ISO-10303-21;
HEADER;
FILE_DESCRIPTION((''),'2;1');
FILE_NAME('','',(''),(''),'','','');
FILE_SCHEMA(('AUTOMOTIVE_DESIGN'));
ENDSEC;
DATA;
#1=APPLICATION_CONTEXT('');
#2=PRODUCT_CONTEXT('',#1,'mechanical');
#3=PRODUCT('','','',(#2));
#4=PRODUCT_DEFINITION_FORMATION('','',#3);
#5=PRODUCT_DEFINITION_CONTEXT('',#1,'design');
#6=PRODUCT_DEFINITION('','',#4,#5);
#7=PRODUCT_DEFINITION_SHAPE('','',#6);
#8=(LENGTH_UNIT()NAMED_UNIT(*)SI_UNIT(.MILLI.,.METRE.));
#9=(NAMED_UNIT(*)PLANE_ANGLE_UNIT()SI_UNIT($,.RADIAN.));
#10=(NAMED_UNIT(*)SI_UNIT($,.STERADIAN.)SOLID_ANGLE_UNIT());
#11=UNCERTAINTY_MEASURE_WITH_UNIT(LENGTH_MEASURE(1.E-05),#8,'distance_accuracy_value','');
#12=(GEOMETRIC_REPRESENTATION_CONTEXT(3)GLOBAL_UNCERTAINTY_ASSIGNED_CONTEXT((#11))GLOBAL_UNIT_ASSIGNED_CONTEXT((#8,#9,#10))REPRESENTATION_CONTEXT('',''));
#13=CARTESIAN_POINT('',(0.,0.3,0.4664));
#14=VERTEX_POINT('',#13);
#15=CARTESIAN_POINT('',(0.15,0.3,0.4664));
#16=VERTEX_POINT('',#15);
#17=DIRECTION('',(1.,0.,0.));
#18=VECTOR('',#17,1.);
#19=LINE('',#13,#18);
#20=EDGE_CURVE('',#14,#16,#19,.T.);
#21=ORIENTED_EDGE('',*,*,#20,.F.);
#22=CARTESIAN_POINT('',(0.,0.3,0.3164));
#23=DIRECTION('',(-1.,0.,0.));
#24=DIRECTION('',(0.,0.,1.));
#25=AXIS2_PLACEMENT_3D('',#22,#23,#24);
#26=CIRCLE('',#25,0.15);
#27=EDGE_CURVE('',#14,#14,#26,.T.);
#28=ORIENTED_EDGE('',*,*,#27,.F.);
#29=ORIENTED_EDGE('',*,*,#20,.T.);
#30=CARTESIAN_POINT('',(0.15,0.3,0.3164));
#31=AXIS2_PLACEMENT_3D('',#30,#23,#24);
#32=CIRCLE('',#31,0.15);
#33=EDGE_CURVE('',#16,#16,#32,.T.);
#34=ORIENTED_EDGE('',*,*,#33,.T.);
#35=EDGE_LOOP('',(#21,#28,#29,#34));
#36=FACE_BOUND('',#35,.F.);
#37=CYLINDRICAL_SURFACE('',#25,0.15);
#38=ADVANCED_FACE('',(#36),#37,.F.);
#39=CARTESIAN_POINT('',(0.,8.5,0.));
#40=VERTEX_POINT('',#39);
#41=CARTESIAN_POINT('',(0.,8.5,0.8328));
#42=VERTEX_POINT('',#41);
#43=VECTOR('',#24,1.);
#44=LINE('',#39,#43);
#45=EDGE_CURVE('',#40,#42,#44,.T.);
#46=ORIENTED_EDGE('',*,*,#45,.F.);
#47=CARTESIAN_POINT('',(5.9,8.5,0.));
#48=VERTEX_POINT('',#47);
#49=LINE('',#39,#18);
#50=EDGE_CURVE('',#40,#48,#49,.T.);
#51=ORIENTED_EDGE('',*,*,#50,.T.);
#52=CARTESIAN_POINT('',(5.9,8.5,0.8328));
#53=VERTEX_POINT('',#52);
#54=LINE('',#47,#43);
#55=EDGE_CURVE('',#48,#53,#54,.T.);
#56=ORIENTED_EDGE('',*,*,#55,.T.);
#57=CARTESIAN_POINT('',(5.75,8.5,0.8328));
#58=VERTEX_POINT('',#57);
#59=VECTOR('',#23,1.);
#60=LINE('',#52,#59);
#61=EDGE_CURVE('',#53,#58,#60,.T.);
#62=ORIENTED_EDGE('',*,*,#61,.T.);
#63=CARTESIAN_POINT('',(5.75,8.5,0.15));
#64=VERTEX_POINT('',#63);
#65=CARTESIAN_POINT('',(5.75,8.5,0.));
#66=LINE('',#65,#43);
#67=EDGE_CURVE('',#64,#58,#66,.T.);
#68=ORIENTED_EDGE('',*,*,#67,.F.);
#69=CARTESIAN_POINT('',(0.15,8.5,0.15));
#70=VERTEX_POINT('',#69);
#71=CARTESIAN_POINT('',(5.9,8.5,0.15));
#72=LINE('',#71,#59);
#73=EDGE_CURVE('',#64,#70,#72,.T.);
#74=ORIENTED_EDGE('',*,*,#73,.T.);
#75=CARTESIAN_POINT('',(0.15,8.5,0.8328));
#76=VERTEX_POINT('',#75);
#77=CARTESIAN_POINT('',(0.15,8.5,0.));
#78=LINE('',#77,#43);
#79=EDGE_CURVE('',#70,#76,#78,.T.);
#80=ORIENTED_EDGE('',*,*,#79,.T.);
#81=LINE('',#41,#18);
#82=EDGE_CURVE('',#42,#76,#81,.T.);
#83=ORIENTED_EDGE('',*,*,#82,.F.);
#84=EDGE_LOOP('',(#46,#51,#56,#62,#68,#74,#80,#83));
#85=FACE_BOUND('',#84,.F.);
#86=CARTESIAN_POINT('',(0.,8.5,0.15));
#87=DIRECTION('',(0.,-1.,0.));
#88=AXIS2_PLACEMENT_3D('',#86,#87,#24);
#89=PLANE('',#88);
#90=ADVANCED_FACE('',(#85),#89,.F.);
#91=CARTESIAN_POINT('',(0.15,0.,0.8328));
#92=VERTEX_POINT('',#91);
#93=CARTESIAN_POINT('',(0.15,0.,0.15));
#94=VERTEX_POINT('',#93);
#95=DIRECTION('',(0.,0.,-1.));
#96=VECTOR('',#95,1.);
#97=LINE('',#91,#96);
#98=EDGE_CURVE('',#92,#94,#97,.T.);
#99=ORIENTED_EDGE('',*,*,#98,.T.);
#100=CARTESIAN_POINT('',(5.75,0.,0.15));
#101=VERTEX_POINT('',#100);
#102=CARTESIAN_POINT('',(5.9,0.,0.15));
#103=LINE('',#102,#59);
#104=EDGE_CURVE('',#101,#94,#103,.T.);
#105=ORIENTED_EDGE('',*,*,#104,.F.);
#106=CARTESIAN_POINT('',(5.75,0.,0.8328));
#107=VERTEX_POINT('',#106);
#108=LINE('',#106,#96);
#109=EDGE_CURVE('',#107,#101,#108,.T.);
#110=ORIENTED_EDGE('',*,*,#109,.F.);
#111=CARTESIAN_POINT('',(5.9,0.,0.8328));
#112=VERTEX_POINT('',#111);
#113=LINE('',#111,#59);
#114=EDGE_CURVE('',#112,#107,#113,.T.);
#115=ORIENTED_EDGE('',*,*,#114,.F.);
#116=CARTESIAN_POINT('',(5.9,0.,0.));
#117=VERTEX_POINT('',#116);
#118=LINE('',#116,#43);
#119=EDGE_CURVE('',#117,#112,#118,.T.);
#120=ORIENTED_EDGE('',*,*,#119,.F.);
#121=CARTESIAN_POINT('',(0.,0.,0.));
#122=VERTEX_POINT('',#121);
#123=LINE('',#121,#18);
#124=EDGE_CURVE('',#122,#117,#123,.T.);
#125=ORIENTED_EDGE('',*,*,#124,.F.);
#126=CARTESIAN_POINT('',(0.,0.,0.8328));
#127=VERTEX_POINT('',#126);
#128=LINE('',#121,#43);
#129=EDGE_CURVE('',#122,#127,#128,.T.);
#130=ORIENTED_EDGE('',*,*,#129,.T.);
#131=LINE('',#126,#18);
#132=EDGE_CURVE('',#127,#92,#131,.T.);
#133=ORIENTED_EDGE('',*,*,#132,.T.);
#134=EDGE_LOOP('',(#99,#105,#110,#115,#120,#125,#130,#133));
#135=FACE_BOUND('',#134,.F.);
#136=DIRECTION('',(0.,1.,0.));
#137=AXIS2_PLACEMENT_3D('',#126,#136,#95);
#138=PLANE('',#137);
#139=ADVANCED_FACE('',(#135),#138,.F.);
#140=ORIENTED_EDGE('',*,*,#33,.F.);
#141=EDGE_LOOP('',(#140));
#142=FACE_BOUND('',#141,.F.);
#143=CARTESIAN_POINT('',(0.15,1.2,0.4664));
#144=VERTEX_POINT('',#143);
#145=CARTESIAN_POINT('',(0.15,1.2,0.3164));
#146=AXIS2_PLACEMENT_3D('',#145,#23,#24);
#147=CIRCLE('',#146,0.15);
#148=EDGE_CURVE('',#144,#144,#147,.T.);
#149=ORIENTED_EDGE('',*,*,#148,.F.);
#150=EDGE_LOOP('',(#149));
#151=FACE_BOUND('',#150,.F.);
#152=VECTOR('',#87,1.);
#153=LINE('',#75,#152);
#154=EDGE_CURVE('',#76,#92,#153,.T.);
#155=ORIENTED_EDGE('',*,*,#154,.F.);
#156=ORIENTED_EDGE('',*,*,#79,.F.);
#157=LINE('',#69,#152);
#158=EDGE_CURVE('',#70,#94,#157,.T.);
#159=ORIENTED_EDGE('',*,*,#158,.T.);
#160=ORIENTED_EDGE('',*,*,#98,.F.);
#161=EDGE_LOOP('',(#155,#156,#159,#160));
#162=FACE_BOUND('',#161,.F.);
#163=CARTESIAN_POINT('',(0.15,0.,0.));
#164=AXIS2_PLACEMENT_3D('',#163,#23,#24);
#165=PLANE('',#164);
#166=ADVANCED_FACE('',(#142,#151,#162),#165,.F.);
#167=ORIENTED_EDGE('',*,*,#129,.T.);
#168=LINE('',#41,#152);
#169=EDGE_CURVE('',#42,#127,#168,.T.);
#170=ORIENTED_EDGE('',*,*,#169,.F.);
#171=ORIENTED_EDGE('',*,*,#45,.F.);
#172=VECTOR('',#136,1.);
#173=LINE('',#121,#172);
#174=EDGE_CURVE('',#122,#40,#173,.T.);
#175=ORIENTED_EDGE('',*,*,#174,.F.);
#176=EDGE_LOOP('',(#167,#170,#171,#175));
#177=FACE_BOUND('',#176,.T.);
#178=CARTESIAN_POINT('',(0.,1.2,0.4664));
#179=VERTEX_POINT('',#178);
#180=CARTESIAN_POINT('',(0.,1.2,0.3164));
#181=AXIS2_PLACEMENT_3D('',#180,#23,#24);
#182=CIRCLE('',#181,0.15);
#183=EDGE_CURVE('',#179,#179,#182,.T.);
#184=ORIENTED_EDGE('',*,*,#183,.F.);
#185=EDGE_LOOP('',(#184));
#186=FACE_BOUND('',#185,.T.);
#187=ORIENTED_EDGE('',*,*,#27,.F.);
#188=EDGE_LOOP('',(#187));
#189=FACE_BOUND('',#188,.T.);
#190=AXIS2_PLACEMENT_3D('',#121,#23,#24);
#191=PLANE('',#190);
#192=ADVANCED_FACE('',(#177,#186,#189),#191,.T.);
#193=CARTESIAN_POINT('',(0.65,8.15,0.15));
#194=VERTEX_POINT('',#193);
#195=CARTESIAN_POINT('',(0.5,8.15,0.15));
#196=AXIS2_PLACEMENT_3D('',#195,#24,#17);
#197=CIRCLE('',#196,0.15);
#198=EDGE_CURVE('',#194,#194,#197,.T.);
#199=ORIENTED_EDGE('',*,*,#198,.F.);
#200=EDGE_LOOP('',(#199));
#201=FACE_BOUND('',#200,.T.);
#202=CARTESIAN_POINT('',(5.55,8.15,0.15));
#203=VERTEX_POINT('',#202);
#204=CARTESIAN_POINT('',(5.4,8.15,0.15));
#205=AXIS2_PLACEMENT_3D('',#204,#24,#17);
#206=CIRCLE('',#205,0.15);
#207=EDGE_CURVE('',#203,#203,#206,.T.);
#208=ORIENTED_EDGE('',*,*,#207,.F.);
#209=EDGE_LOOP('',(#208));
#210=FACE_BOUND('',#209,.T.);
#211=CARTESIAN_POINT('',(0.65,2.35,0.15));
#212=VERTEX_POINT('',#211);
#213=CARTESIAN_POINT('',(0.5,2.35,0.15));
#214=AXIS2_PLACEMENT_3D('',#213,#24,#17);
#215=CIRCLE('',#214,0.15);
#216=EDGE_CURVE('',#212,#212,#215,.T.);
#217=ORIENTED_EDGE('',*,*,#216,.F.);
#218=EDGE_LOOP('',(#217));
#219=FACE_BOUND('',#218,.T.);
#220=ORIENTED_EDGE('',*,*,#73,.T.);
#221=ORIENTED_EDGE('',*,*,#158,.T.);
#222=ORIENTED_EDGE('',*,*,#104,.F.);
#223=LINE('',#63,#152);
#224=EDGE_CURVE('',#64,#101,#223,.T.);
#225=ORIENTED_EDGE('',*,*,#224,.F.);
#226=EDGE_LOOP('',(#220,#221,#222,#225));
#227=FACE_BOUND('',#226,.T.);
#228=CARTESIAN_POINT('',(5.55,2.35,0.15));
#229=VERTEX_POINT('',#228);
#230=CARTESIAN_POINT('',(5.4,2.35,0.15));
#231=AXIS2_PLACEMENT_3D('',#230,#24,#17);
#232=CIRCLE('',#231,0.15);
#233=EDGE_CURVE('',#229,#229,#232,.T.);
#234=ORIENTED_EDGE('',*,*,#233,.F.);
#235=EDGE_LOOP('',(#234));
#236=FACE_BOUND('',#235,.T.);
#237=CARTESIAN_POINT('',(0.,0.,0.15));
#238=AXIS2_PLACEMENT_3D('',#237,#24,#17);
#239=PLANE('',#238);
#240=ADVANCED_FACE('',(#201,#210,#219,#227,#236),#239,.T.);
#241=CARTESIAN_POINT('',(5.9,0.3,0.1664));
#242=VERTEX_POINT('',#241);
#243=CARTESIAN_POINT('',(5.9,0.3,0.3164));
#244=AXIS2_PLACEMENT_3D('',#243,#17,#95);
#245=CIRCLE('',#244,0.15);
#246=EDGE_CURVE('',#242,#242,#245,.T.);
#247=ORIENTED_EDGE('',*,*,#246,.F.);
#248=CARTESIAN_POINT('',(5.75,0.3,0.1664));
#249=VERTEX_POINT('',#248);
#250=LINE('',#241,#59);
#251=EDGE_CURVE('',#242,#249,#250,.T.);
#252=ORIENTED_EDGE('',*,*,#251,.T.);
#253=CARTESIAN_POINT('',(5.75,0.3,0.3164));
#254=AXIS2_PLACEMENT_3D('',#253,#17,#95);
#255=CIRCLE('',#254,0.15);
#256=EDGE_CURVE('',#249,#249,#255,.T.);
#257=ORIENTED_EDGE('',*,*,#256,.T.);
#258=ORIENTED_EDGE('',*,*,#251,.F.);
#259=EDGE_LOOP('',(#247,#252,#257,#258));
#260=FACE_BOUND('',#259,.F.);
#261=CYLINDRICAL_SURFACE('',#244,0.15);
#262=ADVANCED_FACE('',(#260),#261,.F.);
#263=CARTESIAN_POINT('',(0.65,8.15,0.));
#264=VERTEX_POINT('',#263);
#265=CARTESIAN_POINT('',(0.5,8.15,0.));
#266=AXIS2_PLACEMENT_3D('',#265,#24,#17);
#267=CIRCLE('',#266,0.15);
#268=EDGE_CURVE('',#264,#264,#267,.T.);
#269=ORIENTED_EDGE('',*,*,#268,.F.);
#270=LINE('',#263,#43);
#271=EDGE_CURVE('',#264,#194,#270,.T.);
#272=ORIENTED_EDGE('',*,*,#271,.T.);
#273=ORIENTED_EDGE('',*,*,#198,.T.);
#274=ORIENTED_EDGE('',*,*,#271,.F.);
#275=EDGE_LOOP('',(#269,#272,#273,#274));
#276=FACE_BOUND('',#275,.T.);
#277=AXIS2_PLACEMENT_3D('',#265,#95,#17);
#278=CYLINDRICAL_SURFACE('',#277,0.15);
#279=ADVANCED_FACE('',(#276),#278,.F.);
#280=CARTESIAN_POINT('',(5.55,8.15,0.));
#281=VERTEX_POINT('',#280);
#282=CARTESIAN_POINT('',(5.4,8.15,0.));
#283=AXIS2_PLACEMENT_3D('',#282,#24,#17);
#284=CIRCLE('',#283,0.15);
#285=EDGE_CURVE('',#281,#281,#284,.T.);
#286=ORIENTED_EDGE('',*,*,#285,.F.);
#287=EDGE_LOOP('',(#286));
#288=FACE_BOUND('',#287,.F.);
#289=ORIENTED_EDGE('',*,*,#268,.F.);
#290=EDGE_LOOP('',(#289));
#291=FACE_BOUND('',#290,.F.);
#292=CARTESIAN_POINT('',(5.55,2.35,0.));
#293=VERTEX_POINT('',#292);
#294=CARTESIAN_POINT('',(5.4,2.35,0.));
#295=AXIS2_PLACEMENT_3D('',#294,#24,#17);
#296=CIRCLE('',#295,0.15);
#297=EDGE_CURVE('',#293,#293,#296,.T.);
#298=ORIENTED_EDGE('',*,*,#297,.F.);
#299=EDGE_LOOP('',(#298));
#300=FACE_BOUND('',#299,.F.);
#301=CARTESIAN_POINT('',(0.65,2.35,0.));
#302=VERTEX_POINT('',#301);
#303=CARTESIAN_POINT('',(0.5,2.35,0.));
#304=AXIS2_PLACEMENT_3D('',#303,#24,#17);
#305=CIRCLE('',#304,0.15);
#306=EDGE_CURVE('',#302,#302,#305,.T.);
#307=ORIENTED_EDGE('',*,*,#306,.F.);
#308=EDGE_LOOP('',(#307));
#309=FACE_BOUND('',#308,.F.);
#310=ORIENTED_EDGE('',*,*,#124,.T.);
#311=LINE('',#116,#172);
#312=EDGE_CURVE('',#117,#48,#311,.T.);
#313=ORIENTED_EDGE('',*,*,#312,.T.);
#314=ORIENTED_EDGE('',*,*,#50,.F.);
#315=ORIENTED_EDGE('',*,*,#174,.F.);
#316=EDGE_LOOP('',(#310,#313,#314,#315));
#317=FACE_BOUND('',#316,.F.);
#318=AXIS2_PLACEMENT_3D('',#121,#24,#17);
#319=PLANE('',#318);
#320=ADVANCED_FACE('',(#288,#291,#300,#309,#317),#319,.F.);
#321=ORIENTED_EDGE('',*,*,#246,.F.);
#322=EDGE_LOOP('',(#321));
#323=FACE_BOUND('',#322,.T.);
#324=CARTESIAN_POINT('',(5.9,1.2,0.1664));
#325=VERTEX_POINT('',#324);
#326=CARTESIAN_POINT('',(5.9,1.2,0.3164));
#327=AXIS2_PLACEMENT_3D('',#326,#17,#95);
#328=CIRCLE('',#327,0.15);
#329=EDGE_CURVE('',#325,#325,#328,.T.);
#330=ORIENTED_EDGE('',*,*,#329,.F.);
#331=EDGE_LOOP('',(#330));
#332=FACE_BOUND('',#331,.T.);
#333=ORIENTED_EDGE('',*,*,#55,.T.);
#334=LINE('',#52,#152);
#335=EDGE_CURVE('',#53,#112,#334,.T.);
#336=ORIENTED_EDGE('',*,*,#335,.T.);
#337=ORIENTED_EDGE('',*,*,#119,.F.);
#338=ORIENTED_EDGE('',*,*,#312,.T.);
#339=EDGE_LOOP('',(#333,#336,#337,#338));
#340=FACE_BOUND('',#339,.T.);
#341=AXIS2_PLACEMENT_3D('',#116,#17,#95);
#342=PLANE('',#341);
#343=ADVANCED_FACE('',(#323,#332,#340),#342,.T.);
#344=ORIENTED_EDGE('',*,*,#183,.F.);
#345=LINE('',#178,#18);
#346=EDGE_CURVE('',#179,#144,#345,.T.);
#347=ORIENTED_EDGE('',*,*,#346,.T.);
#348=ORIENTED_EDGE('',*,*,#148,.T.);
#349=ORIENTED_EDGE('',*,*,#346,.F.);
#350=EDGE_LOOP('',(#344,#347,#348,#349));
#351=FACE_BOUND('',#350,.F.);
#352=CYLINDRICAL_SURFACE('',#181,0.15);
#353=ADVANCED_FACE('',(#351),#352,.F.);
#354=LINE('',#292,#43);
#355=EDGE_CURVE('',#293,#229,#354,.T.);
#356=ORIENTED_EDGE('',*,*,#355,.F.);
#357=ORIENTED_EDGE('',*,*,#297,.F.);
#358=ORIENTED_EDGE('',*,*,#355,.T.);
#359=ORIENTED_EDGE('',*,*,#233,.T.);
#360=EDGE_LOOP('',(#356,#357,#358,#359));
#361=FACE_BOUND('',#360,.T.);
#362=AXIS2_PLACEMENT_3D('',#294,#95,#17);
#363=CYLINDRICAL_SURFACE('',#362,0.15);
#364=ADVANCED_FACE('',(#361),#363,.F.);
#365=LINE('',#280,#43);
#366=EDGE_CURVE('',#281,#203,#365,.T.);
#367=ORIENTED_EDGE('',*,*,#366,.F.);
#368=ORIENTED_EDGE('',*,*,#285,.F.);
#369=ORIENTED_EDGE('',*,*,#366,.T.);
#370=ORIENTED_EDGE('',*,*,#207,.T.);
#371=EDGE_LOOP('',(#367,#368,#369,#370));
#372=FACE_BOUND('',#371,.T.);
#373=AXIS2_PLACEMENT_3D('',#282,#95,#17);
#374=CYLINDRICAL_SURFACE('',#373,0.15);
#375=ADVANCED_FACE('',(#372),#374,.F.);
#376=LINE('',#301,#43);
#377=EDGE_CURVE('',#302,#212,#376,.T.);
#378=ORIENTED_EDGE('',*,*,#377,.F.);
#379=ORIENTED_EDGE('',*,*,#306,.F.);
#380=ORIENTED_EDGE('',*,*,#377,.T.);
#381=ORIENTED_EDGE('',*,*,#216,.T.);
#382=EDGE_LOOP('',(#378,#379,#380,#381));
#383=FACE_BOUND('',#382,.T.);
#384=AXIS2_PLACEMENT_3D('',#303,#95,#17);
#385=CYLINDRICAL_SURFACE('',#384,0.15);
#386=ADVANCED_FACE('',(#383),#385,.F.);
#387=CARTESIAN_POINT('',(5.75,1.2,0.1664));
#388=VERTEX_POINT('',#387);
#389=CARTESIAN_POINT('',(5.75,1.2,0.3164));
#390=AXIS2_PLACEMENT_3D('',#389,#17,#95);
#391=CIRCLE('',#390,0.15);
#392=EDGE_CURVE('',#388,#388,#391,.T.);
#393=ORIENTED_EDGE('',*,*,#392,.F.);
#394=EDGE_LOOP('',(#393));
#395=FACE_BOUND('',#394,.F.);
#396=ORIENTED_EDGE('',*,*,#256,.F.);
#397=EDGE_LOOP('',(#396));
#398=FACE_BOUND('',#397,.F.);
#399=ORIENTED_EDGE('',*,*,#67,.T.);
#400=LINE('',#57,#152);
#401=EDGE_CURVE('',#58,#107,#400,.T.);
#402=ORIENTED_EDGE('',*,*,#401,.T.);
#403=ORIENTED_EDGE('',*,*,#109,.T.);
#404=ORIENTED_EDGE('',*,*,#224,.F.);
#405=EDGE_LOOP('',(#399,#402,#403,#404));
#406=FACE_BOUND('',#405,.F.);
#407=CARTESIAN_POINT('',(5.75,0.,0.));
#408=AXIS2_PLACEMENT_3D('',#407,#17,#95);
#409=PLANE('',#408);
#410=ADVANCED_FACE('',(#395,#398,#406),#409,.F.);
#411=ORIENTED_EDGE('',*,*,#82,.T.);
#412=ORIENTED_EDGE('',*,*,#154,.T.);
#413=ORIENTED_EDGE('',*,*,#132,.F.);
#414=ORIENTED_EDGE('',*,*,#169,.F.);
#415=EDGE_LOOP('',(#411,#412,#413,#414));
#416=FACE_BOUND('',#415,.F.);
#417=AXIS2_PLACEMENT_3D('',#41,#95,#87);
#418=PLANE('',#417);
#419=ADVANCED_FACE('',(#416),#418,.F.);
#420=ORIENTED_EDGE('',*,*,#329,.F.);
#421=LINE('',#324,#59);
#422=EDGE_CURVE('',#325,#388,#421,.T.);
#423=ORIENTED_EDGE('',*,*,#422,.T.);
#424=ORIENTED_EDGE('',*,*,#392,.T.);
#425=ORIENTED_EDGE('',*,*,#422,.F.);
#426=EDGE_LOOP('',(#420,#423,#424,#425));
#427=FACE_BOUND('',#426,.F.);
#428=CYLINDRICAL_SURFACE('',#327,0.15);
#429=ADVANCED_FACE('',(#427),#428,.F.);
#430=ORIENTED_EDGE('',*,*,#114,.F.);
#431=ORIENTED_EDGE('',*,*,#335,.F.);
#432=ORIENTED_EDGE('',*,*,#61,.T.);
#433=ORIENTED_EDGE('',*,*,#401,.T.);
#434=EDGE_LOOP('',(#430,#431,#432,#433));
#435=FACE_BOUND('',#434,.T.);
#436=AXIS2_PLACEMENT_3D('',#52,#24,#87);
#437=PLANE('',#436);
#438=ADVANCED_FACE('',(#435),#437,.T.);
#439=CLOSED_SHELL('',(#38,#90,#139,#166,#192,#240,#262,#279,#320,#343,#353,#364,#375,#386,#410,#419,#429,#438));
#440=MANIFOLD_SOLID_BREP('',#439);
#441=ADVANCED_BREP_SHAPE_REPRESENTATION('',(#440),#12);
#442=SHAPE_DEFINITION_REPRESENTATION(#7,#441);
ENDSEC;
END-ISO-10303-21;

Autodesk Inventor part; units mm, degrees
ref_plane "YZ Plane" through (0, 0, 0) normal (1, 0, 0) x (0, 1, 0)
ref_plane "XZ Plane" through (0, 0, 0) normal (0, 1, 0) x (-1, 0, 0)
ref_plane "XY Plane" through (0, 0, 0) normal (0, 0, 1) x (1, 0, 0)
sketch "Boceto1" plane through (0, 0, 0) normal (0, 0, 1) x (1, 0, 0)
  line L0 (0.15, 0) -> (0, 0)
  line L1 (0, 0) -> (0, 8.5)
  line L2 (0, 8.5) -> (0.15, 8.5)
  line L3 (0.15, 8.5) -> (0.15, 0)
  line L4 (0.15, 0) -> (5.9, 0)
  line L5 (5.9, 0) -> (5.9, 8.5)
  line L6 (5.9, 8.5) -> (5.75, 8.5)
  line L7 (5.75, 8.5) -> (5.6932, 0)
  line L8 (5.75, 8.5) -> (0.15, 8.5)
  circle A0 centre (0.5, 2.35) radius 0.15
  circle A1 centre (5.4, 2.35) radius 0.15
  circle A2 centre (0.5, 8.15) radius 0.15
  circle A3 centre (5.4, 8.15) radius 0.15
extrude "Extrusión1" add sketch "Boceto1" along normal blind 0.15
sketch "Boceto2" plane through (5.9, 0, 0) normal (1, 0, 0) x (0, 0, -1)
  line L0 (0, 0) -> (0, 8.5)
  line L1 (0, 8.5) -> (-0.8328, 8.5)
  line L2 (-0.8328, 8.5) -> (-0.8328, 0)
  line L3 (-0.8328, 0) -> (0, 0)
  circle A0 centre (-0.3164, 0.3) radius 0.15
  circle A1 centre (-0.3164, 1.2) radius 0.15
  line L4 (0, 8.5) -> (-0.15, 8.5)
  line L5 (-0.15, 8.5) -> (-0.15, 0)
extrude "Extrusión2" add sketch "Boceto2" against normal blind 0.15 contours L3 L2 L1 L5
sketch "Boceto3" plane through (0, 0, 0) normal (-1, 0, 0) x (0, 0, 1)
  line L0 (0, 0) -> (0, 8.5)
  line L1 (0, 8.5) -> (0.8328, 8.5)
  line L2 (0.8328, 8.5) -> (0.8328, 0)
  line L3 (0.8328, 0) -> (0, 0)
  circle A0 centre (0.3164, 0.3) radius 0.15
  circle A1 centre (0.3164, 1.2) radius 0.15
  line L4 (0, 8.5) -> (0.15, 8.5)
  line L5 (0.15, 8.5) -> (0.15, 0)
extrude "Extrusión3" add sketch "Boceto3" against normal blind 0.15 contours L5 L1 L2 L3
properties part number "learnbotAgarreOdroid"
